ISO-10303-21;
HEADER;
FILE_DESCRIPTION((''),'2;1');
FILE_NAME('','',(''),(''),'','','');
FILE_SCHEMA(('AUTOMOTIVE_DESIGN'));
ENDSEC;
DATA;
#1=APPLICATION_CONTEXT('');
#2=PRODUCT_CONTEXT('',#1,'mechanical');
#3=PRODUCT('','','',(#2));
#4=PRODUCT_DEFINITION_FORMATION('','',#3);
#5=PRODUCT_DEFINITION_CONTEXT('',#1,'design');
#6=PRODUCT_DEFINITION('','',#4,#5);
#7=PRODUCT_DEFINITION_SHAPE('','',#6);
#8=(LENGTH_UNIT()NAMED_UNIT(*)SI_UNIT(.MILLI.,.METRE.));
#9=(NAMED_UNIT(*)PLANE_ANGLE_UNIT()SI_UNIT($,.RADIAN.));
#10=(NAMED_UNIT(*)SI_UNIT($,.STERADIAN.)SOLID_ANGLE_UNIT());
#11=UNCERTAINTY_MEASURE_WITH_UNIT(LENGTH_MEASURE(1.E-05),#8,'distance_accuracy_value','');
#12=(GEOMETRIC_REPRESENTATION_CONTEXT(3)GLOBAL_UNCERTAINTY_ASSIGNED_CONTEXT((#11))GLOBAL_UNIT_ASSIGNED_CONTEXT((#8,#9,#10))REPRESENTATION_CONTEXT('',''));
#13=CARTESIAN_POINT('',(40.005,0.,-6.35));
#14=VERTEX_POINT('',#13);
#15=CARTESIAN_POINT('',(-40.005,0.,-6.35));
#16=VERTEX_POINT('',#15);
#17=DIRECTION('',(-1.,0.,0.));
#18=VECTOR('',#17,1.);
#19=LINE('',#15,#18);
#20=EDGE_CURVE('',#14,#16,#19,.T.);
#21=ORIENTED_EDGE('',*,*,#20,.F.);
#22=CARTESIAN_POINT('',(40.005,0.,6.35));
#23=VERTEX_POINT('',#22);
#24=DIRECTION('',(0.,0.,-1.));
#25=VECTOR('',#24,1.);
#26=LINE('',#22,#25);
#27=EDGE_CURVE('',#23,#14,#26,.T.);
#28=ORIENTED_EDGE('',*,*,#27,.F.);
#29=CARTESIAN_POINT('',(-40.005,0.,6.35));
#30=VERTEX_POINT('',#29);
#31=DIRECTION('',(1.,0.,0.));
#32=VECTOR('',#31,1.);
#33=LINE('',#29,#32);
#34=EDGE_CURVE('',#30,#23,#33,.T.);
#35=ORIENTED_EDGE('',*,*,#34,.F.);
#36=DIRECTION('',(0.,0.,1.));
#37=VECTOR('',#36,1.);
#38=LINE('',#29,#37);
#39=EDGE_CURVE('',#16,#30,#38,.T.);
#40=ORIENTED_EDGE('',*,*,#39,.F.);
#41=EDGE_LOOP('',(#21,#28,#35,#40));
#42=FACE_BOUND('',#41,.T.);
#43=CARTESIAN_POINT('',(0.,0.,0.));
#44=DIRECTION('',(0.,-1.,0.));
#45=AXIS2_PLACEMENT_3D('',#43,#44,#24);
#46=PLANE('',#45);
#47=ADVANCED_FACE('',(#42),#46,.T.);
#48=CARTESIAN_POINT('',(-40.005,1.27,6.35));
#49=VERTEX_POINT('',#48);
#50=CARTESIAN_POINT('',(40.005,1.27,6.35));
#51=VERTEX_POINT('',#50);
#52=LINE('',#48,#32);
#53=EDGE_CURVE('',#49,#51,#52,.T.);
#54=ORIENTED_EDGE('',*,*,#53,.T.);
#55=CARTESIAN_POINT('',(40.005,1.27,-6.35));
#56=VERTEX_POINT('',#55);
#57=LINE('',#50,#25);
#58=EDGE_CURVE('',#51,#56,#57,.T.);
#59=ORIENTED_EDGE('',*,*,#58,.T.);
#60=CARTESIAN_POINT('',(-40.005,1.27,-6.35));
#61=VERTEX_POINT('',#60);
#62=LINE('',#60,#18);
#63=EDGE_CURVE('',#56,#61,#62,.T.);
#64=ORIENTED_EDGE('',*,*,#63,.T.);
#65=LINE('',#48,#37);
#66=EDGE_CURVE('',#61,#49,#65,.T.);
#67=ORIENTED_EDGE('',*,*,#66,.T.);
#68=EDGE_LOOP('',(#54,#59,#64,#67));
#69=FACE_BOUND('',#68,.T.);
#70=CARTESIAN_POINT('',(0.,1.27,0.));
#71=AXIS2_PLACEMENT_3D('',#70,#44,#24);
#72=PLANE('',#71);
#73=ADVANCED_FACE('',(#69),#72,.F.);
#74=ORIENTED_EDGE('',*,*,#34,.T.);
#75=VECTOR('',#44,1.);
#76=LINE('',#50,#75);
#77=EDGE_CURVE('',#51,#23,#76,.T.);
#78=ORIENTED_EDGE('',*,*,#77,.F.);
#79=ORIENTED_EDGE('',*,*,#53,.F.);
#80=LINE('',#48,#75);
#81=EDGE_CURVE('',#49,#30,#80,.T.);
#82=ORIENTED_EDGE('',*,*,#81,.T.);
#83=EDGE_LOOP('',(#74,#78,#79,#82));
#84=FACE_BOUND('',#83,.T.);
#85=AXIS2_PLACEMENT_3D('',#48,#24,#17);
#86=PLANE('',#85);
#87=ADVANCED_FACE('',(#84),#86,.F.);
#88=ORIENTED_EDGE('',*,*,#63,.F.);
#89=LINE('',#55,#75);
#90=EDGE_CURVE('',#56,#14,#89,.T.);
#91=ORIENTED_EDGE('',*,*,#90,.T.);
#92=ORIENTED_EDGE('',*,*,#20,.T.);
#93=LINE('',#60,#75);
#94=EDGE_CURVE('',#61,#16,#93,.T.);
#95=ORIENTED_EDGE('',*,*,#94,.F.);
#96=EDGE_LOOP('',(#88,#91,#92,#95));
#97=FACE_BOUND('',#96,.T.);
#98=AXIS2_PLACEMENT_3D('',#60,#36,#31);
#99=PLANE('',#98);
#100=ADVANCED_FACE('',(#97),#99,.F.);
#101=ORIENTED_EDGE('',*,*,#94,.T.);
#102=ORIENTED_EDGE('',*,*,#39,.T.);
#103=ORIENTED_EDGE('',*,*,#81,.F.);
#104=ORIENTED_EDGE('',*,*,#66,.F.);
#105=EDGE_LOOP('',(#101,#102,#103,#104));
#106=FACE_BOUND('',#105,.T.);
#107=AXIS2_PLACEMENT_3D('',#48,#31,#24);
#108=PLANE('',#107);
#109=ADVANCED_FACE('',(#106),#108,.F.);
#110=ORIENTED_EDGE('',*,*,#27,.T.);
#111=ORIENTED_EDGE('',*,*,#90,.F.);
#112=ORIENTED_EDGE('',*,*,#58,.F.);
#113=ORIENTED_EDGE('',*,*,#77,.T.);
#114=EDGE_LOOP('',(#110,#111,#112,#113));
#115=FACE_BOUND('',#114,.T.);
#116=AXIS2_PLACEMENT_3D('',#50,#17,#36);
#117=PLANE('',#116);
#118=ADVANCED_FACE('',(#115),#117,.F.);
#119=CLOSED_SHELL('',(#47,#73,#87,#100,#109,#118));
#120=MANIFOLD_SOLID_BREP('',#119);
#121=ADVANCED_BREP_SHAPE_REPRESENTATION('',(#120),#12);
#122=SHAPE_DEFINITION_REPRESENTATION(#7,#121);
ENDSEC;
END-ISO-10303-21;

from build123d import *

# Parameters (mm, degrees)
SKETCH1_W           = 80.01
SKETCH1_H           = 12.7
BOSS_EXTRUDE1_DEPTH = 1.27


with BuildPart() as part:
    # Sketch1 → Boss-Extrude1 (new body)
    with BuildSketch(Plane(origin=(0, 0, 0), x_dir=(1, 0, 0), z_dir=(0, 1, 0))):
        Rectangle(SKETCH1_W, SKETCH1_H)
    extrude(amount=BOSS_EXTRUDE1_DEPTH)


solid = part.part
